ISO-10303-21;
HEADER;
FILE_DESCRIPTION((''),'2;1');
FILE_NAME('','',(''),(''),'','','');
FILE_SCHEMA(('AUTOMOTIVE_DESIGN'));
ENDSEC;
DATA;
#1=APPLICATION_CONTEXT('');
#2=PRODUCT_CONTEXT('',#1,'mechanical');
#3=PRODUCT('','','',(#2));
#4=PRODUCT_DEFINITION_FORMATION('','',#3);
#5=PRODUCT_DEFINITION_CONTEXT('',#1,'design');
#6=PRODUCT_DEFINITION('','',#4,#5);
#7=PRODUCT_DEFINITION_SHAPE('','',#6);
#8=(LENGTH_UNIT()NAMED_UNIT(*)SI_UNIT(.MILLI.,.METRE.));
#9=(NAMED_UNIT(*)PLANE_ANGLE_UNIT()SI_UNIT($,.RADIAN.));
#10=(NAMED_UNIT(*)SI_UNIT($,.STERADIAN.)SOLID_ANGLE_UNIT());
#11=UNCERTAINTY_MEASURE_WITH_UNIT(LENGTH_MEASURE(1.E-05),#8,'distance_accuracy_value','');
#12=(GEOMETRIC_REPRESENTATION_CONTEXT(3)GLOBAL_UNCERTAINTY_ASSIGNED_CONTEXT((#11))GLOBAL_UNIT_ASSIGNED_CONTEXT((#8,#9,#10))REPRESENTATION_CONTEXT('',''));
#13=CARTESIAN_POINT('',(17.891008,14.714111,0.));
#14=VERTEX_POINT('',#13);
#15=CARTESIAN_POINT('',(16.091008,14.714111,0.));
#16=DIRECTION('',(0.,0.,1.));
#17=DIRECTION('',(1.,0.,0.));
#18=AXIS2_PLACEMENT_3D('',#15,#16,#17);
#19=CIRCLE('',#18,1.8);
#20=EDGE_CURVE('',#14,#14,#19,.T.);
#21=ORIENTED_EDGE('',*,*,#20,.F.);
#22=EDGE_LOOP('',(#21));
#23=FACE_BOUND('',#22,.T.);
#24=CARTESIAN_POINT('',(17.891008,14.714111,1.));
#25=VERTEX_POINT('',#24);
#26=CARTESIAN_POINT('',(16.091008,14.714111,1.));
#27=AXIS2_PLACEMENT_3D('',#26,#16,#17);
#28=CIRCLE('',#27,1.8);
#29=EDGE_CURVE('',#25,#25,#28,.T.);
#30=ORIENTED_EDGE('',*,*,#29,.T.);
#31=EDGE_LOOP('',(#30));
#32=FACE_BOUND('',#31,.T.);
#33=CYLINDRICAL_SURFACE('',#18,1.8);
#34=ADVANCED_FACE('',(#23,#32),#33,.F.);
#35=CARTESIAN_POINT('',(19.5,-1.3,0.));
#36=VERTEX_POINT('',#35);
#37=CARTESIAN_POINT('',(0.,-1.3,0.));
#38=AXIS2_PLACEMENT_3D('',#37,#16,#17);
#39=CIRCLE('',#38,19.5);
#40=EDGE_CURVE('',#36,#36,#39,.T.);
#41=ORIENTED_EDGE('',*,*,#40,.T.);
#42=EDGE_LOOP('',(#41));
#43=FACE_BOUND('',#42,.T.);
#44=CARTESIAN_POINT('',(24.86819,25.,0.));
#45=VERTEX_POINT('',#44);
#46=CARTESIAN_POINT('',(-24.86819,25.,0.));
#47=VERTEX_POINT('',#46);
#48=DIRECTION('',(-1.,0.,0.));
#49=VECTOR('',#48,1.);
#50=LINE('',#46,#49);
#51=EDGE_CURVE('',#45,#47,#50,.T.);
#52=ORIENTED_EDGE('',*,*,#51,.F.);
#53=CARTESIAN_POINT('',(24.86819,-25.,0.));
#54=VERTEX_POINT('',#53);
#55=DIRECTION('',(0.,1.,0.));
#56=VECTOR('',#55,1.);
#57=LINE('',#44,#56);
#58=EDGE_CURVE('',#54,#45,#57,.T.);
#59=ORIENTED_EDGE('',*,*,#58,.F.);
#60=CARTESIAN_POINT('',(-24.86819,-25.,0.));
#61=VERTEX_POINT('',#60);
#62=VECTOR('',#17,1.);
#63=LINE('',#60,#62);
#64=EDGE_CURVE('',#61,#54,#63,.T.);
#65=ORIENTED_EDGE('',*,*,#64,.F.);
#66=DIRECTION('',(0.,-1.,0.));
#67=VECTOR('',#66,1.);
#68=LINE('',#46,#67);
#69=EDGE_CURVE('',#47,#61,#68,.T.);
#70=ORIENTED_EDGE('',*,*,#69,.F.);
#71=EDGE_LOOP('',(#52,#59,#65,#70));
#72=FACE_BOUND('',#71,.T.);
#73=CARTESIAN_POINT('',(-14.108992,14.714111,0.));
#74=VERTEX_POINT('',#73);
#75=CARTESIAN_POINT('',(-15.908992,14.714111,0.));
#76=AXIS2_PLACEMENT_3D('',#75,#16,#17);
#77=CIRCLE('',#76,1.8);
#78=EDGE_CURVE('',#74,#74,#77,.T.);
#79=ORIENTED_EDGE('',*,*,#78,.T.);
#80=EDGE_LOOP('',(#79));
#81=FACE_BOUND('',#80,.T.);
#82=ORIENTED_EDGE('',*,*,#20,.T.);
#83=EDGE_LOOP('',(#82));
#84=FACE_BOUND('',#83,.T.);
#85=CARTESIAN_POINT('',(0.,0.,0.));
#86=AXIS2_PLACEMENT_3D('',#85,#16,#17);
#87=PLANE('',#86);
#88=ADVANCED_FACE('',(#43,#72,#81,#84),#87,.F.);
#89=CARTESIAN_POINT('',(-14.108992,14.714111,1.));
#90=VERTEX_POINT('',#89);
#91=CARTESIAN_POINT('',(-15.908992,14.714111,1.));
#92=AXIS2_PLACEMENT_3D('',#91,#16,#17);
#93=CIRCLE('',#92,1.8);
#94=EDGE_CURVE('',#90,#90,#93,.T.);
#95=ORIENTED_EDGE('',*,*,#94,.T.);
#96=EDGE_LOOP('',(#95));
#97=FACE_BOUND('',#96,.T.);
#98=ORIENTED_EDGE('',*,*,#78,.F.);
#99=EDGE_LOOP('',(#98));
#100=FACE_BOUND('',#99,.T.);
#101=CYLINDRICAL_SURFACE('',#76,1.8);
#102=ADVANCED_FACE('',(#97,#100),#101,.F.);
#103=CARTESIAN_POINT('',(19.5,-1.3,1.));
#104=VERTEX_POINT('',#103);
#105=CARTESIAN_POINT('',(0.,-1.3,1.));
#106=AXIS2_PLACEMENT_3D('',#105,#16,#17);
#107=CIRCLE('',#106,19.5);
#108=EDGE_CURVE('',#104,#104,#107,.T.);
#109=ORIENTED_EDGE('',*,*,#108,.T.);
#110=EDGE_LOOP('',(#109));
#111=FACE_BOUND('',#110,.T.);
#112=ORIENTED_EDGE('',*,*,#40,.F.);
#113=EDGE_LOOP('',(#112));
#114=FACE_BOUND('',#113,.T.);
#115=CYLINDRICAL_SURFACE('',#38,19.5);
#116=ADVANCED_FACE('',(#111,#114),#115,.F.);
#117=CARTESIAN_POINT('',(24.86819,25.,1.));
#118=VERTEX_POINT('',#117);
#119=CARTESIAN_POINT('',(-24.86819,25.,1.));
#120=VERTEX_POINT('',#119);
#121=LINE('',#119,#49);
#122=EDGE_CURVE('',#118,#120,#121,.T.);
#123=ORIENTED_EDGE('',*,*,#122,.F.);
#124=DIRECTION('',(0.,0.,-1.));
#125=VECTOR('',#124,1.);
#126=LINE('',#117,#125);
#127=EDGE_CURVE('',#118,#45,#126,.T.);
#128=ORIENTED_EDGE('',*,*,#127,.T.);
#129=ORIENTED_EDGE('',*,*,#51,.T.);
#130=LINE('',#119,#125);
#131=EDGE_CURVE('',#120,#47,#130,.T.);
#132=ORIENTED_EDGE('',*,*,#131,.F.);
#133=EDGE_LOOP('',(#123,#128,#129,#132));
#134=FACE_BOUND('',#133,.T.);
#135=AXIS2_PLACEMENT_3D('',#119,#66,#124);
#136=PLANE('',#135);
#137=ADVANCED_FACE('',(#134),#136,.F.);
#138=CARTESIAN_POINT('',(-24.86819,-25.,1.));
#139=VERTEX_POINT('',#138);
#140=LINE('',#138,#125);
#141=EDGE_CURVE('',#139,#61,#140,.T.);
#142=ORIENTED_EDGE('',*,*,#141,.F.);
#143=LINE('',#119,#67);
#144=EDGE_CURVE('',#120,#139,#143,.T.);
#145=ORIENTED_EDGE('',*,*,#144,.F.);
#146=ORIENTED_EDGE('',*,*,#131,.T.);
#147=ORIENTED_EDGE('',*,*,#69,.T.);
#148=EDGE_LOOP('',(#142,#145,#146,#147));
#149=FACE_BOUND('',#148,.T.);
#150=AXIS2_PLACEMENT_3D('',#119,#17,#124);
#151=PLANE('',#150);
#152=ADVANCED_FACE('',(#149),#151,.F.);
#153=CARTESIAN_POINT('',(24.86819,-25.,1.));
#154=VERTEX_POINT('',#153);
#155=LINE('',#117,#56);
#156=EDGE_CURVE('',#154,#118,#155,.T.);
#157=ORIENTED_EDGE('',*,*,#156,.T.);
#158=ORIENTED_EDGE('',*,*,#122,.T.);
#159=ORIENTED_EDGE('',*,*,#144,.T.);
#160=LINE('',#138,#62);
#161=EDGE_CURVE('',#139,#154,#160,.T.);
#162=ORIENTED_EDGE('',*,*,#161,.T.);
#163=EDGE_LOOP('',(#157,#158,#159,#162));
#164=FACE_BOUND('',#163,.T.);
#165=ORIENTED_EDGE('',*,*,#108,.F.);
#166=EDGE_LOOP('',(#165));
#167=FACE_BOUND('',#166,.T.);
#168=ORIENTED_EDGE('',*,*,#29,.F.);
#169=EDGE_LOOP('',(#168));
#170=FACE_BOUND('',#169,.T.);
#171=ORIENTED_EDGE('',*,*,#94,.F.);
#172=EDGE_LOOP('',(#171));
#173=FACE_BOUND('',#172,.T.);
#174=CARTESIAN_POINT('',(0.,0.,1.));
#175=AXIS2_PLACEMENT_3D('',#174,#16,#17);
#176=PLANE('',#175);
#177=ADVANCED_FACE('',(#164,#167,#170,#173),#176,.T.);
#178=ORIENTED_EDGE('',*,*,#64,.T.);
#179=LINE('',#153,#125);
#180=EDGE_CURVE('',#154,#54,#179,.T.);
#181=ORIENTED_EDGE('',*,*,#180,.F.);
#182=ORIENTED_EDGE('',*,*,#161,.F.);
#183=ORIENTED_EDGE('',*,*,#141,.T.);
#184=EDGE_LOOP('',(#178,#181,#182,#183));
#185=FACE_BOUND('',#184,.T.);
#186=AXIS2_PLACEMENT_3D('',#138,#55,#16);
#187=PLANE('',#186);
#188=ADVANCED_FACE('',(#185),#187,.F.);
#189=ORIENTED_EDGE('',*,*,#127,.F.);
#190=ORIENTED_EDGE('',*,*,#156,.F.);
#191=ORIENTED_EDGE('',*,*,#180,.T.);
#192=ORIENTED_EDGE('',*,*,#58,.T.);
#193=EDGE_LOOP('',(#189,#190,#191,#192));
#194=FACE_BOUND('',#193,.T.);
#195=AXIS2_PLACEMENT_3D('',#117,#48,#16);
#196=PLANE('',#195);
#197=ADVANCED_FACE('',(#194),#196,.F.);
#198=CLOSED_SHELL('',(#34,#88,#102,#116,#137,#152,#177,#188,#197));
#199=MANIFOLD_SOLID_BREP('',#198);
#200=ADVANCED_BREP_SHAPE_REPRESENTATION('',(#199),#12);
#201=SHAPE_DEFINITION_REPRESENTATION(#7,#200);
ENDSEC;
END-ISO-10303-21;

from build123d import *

# Parameters (mm, degrees)
SKETCH2_W           = 49.736379614
SKETCH2_H           = 50
BOSS_EXTRUDE2_DEPTH = 1
SKETCH3_R           = 19.5
CUT_EXTRUDE1_DEPTH  = 1
SKETCH6_R           = 1.8
CUT_EXTRUDE2_DEPTH  = 2


with BuildPart() as part:
    # Sketch2 → Boss-Extrude2 (new body)
    with BuildSketch(Plane.XY):
        Rectangle(SKETCH2_W, SKETCH2_H)
    extrude(amount=BOSS_EXTRUDE2_DEPTH)

    # Sketch3 → Cut-Extrude1 (cut)
    with BuildSketch(Plane.XY.offset(1)):
        with Locations((0, -1.3)):
            Circle(SKETCH3_R)
    extrude(amount=-CUT_EXTRUDE1_DEPTH, mode=Mode.SUBTRACT)

    # Sketch6 → Cut-Extrude2 (cut, through all)
    with BuildSketch(Plane.XY.offset(1)):
        with Locations((-15.908992298, 14.714110903)):
            Circle(SKETCH6_R)
        with Locations((16.091007702, 14.714110903)):
            Circle(SKETCH6_R)
    extrude(amount=-CUT_EXTRUDE2_DEPTH, mode=Mode.SUBTRACT)


solid = part.part
